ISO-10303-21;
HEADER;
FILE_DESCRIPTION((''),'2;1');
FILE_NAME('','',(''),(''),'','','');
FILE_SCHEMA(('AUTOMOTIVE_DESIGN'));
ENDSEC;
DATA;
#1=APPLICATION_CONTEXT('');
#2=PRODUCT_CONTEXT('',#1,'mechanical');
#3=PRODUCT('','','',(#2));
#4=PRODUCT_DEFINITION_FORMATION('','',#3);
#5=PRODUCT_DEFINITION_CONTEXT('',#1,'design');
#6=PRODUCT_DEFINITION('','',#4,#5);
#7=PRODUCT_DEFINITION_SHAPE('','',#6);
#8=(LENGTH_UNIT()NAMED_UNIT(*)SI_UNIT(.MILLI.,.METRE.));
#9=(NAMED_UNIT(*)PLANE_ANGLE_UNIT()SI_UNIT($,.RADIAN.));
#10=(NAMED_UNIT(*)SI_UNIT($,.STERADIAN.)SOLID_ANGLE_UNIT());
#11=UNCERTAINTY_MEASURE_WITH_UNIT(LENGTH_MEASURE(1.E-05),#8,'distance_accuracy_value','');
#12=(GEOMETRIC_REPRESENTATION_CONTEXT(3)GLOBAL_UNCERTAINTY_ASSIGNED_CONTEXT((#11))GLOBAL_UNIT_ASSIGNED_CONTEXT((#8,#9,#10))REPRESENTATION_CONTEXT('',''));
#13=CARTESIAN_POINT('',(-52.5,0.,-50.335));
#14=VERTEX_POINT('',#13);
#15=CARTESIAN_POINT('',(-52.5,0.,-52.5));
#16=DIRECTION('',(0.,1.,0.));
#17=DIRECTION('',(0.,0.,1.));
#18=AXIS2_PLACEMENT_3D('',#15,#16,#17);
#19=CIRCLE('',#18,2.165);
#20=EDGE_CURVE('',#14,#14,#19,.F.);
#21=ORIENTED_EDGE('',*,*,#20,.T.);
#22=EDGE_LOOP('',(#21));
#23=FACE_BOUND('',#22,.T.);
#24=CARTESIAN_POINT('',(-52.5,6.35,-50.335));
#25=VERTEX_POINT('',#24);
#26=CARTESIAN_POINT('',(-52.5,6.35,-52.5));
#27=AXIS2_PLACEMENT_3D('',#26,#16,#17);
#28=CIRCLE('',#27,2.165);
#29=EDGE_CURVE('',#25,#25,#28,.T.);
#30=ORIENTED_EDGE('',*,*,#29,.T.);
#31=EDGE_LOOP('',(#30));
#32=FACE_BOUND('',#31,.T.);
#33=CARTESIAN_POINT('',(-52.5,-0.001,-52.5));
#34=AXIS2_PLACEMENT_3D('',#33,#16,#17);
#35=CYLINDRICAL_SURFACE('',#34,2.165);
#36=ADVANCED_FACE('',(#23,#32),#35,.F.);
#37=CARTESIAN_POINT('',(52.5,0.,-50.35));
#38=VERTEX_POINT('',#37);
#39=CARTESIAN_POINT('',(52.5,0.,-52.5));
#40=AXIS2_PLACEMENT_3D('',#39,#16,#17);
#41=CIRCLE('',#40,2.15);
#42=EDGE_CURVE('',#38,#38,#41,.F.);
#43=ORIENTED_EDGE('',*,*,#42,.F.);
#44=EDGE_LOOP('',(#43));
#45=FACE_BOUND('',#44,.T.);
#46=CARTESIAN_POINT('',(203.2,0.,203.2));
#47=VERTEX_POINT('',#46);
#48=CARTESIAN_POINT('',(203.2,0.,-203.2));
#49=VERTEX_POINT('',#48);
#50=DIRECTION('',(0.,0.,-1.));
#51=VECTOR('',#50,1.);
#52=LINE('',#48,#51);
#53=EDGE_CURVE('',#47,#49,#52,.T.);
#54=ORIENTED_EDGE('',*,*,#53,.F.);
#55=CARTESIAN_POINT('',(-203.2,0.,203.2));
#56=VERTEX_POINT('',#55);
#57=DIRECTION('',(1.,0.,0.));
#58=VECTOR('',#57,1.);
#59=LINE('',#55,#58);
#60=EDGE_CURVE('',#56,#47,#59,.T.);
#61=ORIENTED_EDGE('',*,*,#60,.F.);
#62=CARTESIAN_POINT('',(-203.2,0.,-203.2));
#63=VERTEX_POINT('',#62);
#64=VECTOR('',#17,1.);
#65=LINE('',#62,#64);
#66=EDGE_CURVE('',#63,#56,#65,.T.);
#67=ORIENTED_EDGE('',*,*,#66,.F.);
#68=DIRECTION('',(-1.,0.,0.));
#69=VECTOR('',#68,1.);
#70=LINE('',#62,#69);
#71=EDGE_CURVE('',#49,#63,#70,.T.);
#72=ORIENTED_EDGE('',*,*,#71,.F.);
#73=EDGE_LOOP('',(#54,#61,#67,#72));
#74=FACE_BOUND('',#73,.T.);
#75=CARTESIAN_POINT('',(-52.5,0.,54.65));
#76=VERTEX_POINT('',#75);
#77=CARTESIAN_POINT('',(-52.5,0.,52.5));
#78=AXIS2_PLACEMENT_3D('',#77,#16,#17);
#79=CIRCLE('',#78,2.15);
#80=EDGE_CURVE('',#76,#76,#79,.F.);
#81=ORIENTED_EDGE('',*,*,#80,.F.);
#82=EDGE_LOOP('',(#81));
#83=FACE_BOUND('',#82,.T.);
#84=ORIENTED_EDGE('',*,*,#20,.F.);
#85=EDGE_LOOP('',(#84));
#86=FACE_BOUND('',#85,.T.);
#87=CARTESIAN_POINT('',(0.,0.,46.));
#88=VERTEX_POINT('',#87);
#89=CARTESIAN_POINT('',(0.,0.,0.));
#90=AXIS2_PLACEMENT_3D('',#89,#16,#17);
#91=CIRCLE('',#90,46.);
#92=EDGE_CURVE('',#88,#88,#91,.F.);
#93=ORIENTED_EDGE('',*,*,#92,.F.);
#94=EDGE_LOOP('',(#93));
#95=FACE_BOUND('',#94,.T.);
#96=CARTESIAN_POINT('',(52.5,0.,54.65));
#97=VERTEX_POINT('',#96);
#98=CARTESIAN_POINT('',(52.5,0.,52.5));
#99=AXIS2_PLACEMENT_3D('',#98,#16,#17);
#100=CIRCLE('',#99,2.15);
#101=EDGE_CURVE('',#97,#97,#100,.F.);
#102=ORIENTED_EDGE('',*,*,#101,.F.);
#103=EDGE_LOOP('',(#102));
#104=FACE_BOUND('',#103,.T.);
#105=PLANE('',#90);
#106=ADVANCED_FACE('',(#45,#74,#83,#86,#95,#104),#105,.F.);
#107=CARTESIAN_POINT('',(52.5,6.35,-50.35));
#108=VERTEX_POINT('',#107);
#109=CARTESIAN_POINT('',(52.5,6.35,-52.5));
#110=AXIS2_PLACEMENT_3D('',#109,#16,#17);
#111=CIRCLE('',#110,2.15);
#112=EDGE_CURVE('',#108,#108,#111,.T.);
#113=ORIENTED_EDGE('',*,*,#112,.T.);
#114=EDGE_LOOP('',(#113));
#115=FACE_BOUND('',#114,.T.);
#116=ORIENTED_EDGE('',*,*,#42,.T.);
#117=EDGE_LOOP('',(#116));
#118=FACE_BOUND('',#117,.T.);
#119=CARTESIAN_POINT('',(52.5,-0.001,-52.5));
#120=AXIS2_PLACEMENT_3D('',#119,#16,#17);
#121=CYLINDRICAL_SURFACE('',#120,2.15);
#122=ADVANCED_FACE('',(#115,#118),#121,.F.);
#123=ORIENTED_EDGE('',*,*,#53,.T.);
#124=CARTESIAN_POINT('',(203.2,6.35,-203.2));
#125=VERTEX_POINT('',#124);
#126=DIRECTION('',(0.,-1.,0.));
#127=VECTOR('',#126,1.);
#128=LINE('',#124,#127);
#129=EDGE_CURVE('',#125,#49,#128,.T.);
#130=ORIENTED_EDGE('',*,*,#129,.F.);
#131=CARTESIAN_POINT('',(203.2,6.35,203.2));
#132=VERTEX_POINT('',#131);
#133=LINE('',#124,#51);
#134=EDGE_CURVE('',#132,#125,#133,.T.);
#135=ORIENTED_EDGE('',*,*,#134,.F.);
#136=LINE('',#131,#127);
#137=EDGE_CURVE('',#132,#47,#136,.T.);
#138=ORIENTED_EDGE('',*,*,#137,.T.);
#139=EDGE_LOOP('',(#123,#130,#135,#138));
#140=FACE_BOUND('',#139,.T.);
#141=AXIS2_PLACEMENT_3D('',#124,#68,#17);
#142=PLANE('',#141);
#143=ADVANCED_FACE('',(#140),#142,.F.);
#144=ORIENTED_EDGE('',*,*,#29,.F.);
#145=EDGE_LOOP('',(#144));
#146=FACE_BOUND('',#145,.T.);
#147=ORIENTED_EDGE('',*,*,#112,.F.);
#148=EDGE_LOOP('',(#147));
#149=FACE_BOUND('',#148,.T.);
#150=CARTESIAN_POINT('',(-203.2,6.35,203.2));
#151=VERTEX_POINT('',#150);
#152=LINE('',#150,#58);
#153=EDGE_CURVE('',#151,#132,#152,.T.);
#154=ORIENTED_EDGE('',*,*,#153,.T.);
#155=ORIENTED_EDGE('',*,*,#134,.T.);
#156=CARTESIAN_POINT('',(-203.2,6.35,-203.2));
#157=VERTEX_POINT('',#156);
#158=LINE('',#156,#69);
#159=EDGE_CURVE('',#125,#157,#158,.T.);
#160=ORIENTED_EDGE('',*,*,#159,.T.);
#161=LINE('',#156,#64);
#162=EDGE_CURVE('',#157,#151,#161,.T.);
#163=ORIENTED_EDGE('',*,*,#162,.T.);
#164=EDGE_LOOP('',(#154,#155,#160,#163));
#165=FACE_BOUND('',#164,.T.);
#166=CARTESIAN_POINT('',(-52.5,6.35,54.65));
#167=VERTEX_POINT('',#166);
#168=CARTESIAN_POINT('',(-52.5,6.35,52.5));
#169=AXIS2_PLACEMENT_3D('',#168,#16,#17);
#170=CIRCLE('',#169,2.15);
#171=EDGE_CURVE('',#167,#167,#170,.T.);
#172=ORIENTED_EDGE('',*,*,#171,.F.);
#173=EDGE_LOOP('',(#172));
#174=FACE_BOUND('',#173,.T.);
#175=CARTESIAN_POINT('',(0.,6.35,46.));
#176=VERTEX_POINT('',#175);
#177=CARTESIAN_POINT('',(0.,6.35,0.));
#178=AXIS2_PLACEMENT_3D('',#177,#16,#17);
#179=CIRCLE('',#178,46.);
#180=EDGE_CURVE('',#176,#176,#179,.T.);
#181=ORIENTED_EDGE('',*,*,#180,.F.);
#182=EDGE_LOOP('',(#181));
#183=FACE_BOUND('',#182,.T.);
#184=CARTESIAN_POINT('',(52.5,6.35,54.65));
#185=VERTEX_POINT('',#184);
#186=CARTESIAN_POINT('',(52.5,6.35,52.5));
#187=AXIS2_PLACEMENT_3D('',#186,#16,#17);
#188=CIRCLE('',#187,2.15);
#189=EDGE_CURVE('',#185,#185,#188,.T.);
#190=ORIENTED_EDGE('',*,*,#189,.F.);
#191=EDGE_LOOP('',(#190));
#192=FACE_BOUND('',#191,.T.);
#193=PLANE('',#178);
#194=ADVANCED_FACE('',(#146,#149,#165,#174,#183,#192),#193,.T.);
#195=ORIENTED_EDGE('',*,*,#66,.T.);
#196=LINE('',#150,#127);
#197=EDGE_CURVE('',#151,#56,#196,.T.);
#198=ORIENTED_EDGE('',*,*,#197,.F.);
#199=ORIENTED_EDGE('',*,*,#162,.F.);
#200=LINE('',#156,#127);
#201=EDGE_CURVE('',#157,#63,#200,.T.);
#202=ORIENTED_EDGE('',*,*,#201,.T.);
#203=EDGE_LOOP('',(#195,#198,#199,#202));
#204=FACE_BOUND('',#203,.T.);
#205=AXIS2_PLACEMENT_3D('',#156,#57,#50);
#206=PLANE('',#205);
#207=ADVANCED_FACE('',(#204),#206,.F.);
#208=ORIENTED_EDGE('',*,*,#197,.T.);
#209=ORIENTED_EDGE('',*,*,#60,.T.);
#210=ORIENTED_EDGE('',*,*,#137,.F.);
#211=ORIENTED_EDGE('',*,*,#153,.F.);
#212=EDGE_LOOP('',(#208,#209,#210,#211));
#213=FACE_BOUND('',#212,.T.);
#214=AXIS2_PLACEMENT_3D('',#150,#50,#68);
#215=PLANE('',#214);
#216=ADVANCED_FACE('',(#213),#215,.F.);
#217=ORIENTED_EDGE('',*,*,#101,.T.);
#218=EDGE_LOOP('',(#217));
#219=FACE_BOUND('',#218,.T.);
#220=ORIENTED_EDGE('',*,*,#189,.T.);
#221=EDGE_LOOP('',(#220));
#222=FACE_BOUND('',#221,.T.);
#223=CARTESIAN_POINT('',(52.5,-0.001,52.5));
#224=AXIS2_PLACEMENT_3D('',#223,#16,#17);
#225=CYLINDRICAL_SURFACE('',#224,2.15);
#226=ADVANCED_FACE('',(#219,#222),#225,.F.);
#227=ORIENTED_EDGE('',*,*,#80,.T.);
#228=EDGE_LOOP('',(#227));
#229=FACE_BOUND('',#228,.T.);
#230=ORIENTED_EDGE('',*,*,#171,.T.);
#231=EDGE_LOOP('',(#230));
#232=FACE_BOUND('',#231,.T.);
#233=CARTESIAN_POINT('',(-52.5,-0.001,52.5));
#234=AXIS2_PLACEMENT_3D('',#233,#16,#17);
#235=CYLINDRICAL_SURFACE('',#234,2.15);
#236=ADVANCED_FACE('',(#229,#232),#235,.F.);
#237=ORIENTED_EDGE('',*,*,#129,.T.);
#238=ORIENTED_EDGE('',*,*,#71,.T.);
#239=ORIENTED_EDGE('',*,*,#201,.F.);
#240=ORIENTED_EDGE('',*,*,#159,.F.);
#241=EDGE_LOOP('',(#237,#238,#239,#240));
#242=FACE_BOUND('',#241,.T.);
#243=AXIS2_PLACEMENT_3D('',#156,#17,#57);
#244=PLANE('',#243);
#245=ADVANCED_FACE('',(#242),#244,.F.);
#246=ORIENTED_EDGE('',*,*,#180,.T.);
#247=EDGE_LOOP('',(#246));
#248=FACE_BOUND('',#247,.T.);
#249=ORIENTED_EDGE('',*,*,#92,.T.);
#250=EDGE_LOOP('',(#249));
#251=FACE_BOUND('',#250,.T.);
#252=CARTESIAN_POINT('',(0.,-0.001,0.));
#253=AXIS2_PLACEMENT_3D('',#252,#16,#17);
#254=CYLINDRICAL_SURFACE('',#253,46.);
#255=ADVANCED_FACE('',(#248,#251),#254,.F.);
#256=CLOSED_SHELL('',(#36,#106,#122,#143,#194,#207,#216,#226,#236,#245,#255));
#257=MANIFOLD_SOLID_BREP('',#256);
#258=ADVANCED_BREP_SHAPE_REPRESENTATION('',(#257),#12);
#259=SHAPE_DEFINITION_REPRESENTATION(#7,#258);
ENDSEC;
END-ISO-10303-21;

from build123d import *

# Parameters (mm, degrees)
SKETCH1_W           = 406.4
SKETCH1_H           = 406.4
BOSS_EXTRUDE1_DEPTH = 6.35
CUT_EXTRUDE1_REACH  = 8.35
SKETCH2_R           = 46
SKETCH2_R_2         = 2.15
SKETCH2_R_3         = 2.165


with BuildPart() as part:
    # Sketch1 → Boss-Extrude1 (new body)
    with BuildSketch(Plane(origin=(0, 0, 0), x_dir=(1, 0, 0), z_dir=(0, 1, 0))):
        Rectangle(SKETCH1_W, SKETCH1_H)
    extrude(amount=BOSS_EXTRUDE1_DEPTH)

    # Sketch2 → Cut-Extrude1 (cut, up to next)
    with BuildSketch(Plane(origin=(0, 6.35, 0), x_dir=(1, 0, 0), z_dir=(0, 1, 0)), mode=Mode.PRIVATE) as cut_extrude1_sk1:
        Circle(SKETCH2_R)
    cut_extrude1_tool1 = extrude(cut_extrude1_sk1.sketch, amount=-CUT_EXTRUDE1_REACH, mode=Mode.PRIVATE) & part.part
    add(cut_extrude1_tool1.solids().sort_by_distance((0, 6.35, 0))[0], mode=Mode.SUBTRACT)
    # Sketch2 → Cut-Extrude1 (cut, up to next)
    with BuildSketch(Plane(origin=(0, 6.35, 0), x_dir=(1, 0, 0), z_dir=(0, 1, 0)), mode=Mode.PRIVATE) as cut_extrude1_sk2:
        with Locations((52.5, 52.5)):
            Circle(SKETCH2_R_2)
    cut_extrude1_tool2 = extrude(cut_extrude1_sk2.sketch, amount=-CUT_EXTRUDE1_REACH, mode=Mode.PRIVATE) & part.part
    add(cut_extrude1_tool2.solids().sort_by_distance((52.5, 6.35, -52.5))[0], mode=Mode.SUBTRACT)
    # Sketch2 → Cut-Extrude1 (cut, up to next)
    with BuildSketch(Plane(origin=(0, 6.35, 0), x_dir=(1, 0, 0), z_dir=(0, 1, 0)), mode=Mode.PRIVATE) as cut_extrude1_sk3:
        with Locations((52.5, -52.5)):
            Circle(SKETCH2_R_2)
    cut_extrude1_tool3 = extrude(cut_extrude1_sk3.sketch, amount=-CUT_EXTRUDE1_REACH, mode=Mode.PRIVATE) & part.part
    add(cut_extrude1_tool3.solids().sort_by_distance((52.5, 6.35, 52.5))[0], mode=Mode.SUBTRACT)
    # Sketch2 → Cut-Extrude1 (cut, up to next)
    with BuildSketch(Plane(origin=(0, 6.35, 0), x_dir=(1, 0, 0), z_dir=(0, 1, 0)), mode=Mode.PRIVATE) as cut_extrude1_sk4:
        with Locations((-52.5, -52.5)):
            Circle(SKETCH2_R_2)
    cut_extrude1_tool4 = extrude(cut_extrude1_sk4.sketch, amount=-CUT_EXTRUDE1_REACH, mode=Mode.PRIVATE) & part.part
    add(cut_extrude1_tool4.solids().sort_by_distance((-52.5, 6.35, 52.5))[0], mode=Mode.SUBTRACT)
    # Sketch2 → Cut-Extrude1 (cut, up to next)
    with BuildSketch(Plane(origin=(0, 6.35, 0), x_dir=(1, 0, 0), z_dir=(0, 1, 0)), mode=Mode.PRIVATE) as cut_extrude1_sk5:
        with Locations((-52.5, 52.5)):
            Circle(SKETCH2_R_3)
    cut_extrude1_tool5 = extrude(cut_extrude1_sk5.sketch, amount=-CUT_EXTRUDE1_REACH, mode=Mode.PRIVATE) & part.part
    add(cut_extrude1_tool5.solids().sort_by_distance((-52.5, 6.35, -52.5))[0], mode=Mode.SUBTRACT)


solid = part.part
